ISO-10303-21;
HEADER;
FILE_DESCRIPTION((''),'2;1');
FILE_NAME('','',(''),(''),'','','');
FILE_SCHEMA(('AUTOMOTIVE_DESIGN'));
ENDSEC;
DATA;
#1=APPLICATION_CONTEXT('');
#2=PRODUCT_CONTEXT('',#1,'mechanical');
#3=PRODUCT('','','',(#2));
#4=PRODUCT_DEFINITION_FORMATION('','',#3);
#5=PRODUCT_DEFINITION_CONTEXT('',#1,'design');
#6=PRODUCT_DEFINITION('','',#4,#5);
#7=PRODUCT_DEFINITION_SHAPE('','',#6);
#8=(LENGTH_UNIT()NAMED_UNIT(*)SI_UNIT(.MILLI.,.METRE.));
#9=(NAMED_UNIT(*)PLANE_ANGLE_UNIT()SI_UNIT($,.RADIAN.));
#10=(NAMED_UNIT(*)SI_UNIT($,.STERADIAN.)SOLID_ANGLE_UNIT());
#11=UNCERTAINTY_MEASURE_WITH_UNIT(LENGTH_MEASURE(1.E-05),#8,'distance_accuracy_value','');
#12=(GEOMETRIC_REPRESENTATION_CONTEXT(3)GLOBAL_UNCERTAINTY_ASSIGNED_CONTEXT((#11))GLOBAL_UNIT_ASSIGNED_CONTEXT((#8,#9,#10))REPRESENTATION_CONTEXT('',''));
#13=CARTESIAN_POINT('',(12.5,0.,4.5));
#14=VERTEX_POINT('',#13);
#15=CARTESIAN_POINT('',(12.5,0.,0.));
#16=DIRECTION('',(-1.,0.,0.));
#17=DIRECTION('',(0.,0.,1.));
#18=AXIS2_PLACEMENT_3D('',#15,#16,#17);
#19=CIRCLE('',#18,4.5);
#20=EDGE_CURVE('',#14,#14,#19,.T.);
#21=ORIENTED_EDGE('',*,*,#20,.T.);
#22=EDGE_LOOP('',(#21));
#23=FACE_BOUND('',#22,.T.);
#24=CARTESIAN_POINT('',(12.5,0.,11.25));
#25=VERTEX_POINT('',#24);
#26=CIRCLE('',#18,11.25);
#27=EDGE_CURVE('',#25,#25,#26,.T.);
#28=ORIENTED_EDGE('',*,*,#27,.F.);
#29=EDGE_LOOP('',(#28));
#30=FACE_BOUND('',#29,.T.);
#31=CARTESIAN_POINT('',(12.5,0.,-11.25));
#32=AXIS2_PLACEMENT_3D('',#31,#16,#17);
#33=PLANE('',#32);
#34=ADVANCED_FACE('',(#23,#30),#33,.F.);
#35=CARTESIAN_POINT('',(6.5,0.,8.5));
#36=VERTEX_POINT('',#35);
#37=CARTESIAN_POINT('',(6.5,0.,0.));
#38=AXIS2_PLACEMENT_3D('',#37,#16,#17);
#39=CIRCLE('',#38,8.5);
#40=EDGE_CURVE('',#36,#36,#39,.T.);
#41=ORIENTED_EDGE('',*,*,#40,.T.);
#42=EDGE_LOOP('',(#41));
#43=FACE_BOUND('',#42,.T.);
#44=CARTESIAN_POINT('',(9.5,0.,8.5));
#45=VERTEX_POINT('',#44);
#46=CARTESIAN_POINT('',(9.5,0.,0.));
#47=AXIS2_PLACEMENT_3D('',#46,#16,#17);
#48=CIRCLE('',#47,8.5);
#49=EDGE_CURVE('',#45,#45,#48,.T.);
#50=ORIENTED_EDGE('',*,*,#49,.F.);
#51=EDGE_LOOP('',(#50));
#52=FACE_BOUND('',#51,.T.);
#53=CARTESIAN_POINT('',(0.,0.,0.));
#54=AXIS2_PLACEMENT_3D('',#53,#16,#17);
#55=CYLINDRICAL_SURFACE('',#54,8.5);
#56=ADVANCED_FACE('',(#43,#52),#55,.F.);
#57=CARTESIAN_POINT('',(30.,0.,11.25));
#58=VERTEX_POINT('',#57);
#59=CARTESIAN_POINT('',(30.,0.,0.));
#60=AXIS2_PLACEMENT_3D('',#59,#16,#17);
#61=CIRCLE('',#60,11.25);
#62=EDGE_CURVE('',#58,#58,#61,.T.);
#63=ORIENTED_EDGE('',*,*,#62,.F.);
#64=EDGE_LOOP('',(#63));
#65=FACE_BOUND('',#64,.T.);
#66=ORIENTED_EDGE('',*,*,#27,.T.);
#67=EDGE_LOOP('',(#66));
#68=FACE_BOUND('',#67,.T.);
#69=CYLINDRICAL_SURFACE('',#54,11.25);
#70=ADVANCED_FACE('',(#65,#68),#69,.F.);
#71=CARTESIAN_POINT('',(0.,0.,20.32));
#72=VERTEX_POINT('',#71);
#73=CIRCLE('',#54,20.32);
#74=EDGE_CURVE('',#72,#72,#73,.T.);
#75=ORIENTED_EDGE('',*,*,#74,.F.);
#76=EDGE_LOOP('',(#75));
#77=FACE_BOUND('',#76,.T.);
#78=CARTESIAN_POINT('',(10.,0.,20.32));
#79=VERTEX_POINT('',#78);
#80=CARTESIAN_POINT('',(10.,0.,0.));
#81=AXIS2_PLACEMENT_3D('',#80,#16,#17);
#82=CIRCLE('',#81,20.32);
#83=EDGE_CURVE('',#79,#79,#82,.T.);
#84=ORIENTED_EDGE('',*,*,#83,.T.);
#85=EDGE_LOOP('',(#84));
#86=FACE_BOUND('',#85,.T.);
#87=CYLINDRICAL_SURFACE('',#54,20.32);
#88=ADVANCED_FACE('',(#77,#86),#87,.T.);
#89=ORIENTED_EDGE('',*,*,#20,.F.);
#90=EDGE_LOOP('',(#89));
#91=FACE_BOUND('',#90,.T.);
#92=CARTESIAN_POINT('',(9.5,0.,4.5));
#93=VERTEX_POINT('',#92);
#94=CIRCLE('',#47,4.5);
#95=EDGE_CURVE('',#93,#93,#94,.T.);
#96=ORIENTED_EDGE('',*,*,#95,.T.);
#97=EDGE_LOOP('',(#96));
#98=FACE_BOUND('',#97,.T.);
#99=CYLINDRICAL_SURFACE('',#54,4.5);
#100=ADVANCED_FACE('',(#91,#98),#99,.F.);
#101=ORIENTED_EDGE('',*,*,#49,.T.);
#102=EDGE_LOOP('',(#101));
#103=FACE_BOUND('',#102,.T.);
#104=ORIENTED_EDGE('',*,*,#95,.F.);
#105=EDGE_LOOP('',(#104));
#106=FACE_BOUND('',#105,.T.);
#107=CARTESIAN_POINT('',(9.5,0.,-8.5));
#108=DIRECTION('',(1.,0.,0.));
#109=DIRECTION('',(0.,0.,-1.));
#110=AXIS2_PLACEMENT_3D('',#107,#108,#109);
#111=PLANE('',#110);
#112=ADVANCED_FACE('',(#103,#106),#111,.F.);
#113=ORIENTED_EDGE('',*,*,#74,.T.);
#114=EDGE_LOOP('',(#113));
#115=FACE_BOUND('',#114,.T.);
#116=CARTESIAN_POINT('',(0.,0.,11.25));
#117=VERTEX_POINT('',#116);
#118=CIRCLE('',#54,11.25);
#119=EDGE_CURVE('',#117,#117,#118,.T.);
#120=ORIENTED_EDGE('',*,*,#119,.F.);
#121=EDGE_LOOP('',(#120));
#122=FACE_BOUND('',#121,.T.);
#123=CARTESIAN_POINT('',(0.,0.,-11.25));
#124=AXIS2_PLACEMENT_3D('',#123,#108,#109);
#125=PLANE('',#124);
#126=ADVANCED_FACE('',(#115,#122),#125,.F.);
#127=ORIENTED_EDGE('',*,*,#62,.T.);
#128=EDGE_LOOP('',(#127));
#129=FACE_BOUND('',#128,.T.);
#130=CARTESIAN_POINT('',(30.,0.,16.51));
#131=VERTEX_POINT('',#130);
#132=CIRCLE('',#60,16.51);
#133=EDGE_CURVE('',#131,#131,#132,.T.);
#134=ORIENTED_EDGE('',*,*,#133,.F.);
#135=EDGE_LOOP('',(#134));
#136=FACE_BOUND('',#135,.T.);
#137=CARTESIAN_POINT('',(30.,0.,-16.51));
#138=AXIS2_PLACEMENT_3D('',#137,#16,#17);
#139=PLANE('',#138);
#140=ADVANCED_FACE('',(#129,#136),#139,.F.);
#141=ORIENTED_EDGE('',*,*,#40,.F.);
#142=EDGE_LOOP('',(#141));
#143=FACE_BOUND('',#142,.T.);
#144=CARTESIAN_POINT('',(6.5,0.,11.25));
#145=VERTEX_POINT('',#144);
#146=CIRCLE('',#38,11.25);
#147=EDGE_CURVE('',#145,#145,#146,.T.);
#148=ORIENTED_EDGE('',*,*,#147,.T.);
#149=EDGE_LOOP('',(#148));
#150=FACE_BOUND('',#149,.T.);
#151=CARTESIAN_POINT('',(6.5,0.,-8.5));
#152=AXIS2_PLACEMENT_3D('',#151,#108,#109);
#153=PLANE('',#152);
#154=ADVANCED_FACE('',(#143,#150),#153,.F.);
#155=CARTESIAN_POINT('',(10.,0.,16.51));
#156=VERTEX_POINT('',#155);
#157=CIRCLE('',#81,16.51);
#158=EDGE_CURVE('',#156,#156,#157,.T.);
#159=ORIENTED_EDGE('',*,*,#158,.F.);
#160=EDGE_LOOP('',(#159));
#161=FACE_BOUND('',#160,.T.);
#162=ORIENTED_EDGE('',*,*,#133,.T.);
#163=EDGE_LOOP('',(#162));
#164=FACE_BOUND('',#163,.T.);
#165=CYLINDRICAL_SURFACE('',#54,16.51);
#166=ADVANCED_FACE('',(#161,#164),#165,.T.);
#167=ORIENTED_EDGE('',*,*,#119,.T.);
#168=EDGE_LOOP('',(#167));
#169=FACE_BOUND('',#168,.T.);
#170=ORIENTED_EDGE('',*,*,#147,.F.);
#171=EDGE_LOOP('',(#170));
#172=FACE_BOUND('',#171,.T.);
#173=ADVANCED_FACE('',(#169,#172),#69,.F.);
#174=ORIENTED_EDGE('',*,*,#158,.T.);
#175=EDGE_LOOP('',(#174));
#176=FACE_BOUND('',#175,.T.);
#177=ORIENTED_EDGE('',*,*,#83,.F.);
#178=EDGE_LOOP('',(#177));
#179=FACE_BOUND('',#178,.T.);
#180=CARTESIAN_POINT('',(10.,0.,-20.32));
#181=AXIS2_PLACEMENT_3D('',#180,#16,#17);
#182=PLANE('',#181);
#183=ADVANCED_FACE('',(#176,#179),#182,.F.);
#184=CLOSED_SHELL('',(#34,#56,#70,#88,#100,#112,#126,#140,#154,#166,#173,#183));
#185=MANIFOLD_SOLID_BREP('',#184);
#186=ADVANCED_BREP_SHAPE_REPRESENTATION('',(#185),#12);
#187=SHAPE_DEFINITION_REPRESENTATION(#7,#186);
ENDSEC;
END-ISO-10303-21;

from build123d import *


with BuildPart() as part:
    # Sketch1 → Revolve1 (revolve)
    with BuildSketch(Plane(origin=(0, 0, 0), x_dir=(1, 0, 0), z_dir=(0, 1, 0)), mode=Mode.PRIVATE) as revolve1_sk:
        Polygon((0, 11.25), (0, 20.32), (10, 20.32), (10, 16.51), (30, 16.51), (30, 11.25), (12.5, 11.25), (12.5, 4.5), (9.5, 4.5), (9.5, 8.5), (6.5, 8.5), (6.5, 11.25), align=None)
    revolve(revolve1_sk.sketch.rotate(Axis((0, 0, 0), (1, 0, 0)), 180), axis=Axis((0, 0, 0), (1, 0, 0)))


solid = part.part
